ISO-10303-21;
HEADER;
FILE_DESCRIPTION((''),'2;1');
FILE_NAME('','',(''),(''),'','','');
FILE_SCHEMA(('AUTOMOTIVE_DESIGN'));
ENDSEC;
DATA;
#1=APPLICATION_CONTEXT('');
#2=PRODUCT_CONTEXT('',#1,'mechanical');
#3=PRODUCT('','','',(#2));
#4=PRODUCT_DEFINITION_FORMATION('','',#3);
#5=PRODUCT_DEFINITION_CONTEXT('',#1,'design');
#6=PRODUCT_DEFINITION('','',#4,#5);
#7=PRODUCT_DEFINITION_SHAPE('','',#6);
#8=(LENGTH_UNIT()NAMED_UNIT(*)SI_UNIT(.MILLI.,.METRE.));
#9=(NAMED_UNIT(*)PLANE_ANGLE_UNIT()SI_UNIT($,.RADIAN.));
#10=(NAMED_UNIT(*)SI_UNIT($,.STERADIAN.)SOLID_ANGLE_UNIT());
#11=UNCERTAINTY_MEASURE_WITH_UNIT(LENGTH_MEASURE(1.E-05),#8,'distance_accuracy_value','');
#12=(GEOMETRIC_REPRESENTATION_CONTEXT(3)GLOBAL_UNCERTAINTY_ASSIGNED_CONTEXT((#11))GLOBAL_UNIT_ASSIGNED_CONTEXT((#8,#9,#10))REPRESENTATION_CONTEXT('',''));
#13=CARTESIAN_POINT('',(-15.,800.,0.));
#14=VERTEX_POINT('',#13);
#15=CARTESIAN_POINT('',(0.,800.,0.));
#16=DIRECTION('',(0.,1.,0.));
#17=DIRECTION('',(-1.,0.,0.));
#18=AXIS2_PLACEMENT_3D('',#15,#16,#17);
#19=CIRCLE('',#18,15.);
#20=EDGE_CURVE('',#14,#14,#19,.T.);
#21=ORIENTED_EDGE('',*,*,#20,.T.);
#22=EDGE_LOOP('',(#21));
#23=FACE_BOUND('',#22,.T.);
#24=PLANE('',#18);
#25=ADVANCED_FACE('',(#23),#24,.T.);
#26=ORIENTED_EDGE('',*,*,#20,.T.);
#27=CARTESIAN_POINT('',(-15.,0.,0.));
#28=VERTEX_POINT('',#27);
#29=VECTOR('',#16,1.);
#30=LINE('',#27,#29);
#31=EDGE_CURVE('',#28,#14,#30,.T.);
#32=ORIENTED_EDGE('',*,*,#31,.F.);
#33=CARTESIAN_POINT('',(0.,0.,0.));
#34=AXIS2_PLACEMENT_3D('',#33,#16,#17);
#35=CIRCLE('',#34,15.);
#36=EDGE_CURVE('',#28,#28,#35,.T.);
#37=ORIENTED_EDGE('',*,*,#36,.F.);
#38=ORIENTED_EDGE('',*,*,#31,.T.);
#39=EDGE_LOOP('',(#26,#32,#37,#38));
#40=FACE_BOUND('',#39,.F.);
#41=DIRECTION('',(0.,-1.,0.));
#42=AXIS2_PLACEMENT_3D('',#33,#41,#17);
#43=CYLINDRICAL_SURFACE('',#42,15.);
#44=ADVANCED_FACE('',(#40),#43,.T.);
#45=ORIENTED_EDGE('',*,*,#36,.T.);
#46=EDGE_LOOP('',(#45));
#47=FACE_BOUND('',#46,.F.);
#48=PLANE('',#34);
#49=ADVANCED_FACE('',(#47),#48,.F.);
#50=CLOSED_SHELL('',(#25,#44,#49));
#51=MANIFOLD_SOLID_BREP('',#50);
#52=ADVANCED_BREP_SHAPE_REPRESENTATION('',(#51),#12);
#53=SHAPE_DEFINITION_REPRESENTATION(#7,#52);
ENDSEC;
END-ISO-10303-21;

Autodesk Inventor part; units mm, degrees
ref_plane "YZ Plane" through (0, 0, 0) normal (1, 0, 0) x (0, 1, 0)
ref_plane "XZ Plane" through (0, 0, 0) normal (0, 1, 0) x (-1, 0, 0)
ref_plane "XY Plane" through (0, 0, 0) normal (0, 0, 1) x (1, 0, 0)
sketch "Boceto1" plane through (0, 0, 0) normal (0, 1, 0) x (-1, 0, 0)
  circle A0 centre (0, 0) radius 15
  dimension "d0" = 30
extrude "Extrusión1" add sketch "Boceto1" along normal blind 800
properties part number "Pata"
